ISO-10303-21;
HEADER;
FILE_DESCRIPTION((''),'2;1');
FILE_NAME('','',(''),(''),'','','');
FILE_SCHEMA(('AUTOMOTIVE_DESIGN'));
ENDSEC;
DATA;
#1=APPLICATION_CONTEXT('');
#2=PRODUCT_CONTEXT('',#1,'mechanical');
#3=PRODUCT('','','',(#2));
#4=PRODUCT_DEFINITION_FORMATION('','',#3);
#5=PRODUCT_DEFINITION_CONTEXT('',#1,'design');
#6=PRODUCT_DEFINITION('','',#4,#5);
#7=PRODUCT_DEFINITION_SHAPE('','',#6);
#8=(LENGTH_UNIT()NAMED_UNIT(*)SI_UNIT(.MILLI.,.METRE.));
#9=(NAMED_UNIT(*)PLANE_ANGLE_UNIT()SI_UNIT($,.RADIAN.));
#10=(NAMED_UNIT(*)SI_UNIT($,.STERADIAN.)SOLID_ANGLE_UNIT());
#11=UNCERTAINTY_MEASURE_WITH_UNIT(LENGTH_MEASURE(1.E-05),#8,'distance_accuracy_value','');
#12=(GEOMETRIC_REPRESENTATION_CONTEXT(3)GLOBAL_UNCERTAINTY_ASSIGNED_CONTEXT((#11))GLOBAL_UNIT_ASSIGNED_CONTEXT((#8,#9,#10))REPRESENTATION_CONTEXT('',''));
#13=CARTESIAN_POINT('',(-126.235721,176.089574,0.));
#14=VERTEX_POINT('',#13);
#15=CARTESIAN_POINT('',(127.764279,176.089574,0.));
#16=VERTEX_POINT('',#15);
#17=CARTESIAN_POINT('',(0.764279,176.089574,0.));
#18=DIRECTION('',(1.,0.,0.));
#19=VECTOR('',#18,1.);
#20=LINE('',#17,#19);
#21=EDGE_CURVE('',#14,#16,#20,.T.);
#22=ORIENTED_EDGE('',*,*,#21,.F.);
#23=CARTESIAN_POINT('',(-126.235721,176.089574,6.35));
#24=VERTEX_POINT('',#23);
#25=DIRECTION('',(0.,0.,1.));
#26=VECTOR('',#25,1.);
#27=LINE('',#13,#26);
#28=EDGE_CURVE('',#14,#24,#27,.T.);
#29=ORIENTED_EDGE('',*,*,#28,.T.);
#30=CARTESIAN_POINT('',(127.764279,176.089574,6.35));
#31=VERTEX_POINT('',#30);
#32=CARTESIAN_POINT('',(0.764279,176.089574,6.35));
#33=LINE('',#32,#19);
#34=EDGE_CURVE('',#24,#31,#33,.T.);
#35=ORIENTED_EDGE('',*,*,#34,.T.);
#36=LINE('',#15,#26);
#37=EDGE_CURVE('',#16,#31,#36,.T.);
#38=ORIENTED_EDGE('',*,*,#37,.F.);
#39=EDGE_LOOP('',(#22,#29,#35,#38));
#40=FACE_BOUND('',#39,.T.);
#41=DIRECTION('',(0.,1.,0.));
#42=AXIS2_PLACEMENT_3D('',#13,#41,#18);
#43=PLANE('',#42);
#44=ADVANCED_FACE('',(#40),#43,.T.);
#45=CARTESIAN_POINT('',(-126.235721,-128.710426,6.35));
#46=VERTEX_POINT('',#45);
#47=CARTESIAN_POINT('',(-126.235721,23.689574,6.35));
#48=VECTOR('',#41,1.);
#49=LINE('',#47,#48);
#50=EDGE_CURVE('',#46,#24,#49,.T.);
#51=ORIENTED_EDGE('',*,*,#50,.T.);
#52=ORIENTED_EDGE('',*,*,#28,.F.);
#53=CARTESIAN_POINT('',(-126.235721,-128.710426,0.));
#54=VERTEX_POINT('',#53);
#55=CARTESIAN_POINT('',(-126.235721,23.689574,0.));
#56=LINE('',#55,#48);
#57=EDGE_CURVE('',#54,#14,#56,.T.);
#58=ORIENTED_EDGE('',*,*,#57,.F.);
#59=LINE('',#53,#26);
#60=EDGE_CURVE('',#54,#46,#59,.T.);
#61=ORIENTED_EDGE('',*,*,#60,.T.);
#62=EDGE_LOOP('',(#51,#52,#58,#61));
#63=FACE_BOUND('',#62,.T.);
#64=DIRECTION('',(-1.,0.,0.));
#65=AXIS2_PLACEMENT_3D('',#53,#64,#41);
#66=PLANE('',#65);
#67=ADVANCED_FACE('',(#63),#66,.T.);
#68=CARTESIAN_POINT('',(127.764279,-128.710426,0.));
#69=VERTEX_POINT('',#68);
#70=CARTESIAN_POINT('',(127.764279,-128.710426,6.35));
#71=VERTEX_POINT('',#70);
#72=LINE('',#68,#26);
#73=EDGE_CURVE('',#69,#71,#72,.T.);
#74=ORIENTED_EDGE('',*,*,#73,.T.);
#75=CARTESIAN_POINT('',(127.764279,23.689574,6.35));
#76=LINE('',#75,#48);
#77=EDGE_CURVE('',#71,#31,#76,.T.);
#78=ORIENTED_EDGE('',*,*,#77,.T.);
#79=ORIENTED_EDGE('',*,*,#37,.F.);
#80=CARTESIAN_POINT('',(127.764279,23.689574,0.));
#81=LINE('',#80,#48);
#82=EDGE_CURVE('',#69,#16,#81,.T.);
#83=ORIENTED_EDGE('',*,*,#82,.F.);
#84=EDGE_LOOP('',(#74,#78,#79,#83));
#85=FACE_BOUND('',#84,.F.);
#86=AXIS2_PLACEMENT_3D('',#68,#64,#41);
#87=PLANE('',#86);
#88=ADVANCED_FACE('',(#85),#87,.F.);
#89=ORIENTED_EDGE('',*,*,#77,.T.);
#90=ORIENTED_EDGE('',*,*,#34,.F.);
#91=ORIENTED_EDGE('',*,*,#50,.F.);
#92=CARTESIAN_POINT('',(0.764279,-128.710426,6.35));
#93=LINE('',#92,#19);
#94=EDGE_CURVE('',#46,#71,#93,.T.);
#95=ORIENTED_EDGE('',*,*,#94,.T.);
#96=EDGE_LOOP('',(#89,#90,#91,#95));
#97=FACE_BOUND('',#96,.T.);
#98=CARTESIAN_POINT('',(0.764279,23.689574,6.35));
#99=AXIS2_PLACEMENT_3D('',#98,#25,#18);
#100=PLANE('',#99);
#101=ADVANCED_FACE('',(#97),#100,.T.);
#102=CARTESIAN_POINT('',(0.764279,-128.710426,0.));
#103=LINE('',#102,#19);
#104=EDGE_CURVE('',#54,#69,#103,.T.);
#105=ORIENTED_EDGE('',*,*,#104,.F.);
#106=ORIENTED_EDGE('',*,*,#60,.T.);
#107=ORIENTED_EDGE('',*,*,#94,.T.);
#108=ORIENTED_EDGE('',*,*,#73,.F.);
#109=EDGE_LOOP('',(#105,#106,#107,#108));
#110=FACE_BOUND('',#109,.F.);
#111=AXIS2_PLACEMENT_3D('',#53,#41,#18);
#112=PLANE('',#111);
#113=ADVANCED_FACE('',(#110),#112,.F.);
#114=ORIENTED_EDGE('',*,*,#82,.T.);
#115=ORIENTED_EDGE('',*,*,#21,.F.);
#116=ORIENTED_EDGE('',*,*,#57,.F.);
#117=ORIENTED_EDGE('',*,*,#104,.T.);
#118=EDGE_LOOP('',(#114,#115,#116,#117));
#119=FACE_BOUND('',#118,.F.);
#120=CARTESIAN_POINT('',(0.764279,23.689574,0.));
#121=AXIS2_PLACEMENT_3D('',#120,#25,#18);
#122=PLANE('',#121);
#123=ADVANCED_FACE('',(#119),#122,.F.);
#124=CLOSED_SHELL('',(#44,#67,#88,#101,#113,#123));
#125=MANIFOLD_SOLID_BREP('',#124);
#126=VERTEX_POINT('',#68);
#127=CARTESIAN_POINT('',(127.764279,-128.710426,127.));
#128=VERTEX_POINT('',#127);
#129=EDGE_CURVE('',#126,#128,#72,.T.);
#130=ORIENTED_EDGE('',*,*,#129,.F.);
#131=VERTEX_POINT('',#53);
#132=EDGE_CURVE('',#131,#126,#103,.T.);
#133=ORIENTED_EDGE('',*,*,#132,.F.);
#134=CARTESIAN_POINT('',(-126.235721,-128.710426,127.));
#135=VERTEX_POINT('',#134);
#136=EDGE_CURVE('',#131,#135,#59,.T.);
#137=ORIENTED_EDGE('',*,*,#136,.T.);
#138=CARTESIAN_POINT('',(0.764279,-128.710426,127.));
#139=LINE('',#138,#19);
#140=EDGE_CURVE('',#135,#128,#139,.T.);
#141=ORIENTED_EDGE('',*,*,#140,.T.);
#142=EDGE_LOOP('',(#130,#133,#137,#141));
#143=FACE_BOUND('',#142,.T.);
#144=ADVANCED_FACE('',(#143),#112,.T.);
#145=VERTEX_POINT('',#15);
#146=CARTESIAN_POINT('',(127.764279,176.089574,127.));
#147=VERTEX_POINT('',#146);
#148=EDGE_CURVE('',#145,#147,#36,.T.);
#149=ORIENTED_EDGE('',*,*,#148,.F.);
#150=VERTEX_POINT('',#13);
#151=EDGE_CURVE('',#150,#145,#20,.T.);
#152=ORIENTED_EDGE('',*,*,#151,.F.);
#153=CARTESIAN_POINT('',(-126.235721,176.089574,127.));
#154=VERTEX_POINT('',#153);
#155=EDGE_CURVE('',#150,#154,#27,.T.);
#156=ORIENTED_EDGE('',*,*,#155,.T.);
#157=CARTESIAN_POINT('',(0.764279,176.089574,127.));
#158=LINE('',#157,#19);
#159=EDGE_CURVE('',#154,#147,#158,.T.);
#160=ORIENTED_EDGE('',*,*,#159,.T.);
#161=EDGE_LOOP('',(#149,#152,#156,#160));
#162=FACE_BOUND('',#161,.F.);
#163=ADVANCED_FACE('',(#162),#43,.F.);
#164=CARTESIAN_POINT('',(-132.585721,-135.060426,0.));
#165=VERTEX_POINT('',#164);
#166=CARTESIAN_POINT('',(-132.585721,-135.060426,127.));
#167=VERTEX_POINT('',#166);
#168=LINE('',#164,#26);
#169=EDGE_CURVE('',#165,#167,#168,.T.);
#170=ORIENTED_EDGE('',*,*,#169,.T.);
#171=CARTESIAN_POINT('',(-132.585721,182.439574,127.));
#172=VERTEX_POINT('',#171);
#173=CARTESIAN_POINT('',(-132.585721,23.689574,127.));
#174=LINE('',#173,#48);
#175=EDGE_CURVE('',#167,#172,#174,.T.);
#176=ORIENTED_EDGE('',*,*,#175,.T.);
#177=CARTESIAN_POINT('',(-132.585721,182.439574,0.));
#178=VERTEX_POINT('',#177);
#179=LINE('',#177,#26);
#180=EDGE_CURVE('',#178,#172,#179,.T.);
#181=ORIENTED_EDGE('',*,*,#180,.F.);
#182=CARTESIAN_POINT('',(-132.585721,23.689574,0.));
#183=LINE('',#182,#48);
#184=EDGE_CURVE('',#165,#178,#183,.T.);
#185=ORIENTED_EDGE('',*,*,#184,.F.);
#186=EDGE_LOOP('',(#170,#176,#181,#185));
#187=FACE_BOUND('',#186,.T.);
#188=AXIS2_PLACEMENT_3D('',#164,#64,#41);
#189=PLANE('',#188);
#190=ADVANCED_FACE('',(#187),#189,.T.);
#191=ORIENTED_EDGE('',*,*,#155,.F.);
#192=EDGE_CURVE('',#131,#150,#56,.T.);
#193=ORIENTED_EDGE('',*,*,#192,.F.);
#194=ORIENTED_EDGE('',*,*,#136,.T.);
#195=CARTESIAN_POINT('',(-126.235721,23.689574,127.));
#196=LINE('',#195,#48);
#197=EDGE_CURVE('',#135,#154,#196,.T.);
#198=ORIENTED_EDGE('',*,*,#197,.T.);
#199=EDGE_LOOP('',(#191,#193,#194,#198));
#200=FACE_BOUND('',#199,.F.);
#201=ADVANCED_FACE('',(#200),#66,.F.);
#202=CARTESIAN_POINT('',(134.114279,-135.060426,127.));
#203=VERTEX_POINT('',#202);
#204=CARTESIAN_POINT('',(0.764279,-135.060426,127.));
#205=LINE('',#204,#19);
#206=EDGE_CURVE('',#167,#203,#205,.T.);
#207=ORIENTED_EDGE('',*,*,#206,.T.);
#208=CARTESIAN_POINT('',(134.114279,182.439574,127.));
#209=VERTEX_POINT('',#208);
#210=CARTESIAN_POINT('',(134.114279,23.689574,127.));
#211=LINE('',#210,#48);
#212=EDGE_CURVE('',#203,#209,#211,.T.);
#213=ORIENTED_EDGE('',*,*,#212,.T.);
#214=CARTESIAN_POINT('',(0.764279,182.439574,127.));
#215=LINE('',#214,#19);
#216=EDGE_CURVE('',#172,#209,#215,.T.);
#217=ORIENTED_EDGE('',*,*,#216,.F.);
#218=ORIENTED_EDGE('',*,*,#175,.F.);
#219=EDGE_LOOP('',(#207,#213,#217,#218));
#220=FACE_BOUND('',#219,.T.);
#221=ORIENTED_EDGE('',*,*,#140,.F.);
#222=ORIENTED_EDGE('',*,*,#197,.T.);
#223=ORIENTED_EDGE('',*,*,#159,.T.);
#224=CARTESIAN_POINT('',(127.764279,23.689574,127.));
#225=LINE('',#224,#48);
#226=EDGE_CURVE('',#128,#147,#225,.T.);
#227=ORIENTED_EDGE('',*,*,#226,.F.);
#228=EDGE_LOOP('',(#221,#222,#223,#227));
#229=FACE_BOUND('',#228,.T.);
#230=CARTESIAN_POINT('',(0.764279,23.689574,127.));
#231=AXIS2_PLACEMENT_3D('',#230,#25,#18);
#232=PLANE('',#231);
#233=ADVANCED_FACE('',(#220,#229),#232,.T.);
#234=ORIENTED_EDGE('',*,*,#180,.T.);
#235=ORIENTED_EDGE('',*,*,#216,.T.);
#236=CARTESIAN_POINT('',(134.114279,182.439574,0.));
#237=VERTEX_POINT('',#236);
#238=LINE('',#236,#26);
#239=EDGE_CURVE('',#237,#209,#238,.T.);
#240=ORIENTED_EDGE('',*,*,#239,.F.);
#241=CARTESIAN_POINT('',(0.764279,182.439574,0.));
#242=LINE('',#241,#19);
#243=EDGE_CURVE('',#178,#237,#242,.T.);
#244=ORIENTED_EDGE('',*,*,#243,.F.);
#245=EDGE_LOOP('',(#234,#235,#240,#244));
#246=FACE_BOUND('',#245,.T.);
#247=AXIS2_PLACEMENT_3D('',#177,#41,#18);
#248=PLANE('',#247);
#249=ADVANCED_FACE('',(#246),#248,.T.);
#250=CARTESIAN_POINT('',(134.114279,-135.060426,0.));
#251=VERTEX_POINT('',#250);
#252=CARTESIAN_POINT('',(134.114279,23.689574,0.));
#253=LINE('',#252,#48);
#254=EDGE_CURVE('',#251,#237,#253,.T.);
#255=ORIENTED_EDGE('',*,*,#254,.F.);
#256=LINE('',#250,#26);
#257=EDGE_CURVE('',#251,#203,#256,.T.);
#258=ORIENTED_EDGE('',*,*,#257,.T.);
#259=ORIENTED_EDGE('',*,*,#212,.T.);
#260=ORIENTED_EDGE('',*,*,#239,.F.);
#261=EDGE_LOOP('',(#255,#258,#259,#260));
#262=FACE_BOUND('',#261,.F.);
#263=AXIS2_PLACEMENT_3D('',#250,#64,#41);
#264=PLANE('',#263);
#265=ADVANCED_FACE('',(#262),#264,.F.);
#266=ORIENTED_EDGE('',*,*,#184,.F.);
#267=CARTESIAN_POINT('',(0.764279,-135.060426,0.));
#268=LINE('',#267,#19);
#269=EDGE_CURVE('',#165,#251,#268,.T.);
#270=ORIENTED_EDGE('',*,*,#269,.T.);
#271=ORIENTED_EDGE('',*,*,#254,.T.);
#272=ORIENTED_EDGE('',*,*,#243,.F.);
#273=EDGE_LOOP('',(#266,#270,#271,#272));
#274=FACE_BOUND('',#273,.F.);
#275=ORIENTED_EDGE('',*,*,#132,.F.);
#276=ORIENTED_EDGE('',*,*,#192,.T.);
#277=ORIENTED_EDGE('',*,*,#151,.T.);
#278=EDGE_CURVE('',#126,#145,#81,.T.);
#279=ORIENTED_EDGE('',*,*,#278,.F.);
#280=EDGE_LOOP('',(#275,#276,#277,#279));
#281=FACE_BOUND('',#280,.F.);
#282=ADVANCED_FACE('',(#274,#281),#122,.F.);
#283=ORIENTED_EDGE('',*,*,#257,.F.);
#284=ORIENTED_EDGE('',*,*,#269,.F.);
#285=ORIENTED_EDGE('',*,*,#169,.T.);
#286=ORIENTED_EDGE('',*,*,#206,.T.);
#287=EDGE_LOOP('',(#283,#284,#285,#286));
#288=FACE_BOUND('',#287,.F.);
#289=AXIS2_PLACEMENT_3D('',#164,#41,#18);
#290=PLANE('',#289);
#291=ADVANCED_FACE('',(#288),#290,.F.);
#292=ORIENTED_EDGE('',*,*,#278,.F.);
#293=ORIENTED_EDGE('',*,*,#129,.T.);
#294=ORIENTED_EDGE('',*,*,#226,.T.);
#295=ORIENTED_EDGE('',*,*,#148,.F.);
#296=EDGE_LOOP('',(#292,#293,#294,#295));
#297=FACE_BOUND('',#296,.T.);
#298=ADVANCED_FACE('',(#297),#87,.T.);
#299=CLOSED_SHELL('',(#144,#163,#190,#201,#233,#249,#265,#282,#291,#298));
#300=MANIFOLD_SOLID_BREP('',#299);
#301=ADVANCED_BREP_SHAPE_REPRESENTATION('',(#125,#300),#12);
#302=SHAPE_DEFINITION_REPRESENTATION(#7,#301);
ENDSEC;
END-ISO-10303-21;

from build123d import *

# Parameters (mm, degrees)
F0_W     = 254
F0_H     = 304.8
F1_DEPTH = 6.35
F0_W_2   = 266.7
F0_H_2   = 317.5
F2_DEPTH = 127


with BuildPart() as f1:
    # F0 (on Top) → F1 (new body)
    with BuildSketch(Plane.XY):
        with Locations((0.764279, 23.689574)):
            Rectangle(F0_W, F0_H)
    extrude(amount=F1_DEPTH)


with BuildPart() as f2:
    # F0 (on Top) → F2 (new body)
    with BuildSketch(Plane.XY):
        with Locations((0.764279, 23.689574)):
            Rectangle(F0_W_2, F0_H_2)
        with Locations((0.764279, 23.689574)):
            Rectangle(F0_W, F0_H, mode=Mode.SUBTRACT)
    extrude(amount=F2_DEPTH)


solid = Compound([f1.part, f2.part])
